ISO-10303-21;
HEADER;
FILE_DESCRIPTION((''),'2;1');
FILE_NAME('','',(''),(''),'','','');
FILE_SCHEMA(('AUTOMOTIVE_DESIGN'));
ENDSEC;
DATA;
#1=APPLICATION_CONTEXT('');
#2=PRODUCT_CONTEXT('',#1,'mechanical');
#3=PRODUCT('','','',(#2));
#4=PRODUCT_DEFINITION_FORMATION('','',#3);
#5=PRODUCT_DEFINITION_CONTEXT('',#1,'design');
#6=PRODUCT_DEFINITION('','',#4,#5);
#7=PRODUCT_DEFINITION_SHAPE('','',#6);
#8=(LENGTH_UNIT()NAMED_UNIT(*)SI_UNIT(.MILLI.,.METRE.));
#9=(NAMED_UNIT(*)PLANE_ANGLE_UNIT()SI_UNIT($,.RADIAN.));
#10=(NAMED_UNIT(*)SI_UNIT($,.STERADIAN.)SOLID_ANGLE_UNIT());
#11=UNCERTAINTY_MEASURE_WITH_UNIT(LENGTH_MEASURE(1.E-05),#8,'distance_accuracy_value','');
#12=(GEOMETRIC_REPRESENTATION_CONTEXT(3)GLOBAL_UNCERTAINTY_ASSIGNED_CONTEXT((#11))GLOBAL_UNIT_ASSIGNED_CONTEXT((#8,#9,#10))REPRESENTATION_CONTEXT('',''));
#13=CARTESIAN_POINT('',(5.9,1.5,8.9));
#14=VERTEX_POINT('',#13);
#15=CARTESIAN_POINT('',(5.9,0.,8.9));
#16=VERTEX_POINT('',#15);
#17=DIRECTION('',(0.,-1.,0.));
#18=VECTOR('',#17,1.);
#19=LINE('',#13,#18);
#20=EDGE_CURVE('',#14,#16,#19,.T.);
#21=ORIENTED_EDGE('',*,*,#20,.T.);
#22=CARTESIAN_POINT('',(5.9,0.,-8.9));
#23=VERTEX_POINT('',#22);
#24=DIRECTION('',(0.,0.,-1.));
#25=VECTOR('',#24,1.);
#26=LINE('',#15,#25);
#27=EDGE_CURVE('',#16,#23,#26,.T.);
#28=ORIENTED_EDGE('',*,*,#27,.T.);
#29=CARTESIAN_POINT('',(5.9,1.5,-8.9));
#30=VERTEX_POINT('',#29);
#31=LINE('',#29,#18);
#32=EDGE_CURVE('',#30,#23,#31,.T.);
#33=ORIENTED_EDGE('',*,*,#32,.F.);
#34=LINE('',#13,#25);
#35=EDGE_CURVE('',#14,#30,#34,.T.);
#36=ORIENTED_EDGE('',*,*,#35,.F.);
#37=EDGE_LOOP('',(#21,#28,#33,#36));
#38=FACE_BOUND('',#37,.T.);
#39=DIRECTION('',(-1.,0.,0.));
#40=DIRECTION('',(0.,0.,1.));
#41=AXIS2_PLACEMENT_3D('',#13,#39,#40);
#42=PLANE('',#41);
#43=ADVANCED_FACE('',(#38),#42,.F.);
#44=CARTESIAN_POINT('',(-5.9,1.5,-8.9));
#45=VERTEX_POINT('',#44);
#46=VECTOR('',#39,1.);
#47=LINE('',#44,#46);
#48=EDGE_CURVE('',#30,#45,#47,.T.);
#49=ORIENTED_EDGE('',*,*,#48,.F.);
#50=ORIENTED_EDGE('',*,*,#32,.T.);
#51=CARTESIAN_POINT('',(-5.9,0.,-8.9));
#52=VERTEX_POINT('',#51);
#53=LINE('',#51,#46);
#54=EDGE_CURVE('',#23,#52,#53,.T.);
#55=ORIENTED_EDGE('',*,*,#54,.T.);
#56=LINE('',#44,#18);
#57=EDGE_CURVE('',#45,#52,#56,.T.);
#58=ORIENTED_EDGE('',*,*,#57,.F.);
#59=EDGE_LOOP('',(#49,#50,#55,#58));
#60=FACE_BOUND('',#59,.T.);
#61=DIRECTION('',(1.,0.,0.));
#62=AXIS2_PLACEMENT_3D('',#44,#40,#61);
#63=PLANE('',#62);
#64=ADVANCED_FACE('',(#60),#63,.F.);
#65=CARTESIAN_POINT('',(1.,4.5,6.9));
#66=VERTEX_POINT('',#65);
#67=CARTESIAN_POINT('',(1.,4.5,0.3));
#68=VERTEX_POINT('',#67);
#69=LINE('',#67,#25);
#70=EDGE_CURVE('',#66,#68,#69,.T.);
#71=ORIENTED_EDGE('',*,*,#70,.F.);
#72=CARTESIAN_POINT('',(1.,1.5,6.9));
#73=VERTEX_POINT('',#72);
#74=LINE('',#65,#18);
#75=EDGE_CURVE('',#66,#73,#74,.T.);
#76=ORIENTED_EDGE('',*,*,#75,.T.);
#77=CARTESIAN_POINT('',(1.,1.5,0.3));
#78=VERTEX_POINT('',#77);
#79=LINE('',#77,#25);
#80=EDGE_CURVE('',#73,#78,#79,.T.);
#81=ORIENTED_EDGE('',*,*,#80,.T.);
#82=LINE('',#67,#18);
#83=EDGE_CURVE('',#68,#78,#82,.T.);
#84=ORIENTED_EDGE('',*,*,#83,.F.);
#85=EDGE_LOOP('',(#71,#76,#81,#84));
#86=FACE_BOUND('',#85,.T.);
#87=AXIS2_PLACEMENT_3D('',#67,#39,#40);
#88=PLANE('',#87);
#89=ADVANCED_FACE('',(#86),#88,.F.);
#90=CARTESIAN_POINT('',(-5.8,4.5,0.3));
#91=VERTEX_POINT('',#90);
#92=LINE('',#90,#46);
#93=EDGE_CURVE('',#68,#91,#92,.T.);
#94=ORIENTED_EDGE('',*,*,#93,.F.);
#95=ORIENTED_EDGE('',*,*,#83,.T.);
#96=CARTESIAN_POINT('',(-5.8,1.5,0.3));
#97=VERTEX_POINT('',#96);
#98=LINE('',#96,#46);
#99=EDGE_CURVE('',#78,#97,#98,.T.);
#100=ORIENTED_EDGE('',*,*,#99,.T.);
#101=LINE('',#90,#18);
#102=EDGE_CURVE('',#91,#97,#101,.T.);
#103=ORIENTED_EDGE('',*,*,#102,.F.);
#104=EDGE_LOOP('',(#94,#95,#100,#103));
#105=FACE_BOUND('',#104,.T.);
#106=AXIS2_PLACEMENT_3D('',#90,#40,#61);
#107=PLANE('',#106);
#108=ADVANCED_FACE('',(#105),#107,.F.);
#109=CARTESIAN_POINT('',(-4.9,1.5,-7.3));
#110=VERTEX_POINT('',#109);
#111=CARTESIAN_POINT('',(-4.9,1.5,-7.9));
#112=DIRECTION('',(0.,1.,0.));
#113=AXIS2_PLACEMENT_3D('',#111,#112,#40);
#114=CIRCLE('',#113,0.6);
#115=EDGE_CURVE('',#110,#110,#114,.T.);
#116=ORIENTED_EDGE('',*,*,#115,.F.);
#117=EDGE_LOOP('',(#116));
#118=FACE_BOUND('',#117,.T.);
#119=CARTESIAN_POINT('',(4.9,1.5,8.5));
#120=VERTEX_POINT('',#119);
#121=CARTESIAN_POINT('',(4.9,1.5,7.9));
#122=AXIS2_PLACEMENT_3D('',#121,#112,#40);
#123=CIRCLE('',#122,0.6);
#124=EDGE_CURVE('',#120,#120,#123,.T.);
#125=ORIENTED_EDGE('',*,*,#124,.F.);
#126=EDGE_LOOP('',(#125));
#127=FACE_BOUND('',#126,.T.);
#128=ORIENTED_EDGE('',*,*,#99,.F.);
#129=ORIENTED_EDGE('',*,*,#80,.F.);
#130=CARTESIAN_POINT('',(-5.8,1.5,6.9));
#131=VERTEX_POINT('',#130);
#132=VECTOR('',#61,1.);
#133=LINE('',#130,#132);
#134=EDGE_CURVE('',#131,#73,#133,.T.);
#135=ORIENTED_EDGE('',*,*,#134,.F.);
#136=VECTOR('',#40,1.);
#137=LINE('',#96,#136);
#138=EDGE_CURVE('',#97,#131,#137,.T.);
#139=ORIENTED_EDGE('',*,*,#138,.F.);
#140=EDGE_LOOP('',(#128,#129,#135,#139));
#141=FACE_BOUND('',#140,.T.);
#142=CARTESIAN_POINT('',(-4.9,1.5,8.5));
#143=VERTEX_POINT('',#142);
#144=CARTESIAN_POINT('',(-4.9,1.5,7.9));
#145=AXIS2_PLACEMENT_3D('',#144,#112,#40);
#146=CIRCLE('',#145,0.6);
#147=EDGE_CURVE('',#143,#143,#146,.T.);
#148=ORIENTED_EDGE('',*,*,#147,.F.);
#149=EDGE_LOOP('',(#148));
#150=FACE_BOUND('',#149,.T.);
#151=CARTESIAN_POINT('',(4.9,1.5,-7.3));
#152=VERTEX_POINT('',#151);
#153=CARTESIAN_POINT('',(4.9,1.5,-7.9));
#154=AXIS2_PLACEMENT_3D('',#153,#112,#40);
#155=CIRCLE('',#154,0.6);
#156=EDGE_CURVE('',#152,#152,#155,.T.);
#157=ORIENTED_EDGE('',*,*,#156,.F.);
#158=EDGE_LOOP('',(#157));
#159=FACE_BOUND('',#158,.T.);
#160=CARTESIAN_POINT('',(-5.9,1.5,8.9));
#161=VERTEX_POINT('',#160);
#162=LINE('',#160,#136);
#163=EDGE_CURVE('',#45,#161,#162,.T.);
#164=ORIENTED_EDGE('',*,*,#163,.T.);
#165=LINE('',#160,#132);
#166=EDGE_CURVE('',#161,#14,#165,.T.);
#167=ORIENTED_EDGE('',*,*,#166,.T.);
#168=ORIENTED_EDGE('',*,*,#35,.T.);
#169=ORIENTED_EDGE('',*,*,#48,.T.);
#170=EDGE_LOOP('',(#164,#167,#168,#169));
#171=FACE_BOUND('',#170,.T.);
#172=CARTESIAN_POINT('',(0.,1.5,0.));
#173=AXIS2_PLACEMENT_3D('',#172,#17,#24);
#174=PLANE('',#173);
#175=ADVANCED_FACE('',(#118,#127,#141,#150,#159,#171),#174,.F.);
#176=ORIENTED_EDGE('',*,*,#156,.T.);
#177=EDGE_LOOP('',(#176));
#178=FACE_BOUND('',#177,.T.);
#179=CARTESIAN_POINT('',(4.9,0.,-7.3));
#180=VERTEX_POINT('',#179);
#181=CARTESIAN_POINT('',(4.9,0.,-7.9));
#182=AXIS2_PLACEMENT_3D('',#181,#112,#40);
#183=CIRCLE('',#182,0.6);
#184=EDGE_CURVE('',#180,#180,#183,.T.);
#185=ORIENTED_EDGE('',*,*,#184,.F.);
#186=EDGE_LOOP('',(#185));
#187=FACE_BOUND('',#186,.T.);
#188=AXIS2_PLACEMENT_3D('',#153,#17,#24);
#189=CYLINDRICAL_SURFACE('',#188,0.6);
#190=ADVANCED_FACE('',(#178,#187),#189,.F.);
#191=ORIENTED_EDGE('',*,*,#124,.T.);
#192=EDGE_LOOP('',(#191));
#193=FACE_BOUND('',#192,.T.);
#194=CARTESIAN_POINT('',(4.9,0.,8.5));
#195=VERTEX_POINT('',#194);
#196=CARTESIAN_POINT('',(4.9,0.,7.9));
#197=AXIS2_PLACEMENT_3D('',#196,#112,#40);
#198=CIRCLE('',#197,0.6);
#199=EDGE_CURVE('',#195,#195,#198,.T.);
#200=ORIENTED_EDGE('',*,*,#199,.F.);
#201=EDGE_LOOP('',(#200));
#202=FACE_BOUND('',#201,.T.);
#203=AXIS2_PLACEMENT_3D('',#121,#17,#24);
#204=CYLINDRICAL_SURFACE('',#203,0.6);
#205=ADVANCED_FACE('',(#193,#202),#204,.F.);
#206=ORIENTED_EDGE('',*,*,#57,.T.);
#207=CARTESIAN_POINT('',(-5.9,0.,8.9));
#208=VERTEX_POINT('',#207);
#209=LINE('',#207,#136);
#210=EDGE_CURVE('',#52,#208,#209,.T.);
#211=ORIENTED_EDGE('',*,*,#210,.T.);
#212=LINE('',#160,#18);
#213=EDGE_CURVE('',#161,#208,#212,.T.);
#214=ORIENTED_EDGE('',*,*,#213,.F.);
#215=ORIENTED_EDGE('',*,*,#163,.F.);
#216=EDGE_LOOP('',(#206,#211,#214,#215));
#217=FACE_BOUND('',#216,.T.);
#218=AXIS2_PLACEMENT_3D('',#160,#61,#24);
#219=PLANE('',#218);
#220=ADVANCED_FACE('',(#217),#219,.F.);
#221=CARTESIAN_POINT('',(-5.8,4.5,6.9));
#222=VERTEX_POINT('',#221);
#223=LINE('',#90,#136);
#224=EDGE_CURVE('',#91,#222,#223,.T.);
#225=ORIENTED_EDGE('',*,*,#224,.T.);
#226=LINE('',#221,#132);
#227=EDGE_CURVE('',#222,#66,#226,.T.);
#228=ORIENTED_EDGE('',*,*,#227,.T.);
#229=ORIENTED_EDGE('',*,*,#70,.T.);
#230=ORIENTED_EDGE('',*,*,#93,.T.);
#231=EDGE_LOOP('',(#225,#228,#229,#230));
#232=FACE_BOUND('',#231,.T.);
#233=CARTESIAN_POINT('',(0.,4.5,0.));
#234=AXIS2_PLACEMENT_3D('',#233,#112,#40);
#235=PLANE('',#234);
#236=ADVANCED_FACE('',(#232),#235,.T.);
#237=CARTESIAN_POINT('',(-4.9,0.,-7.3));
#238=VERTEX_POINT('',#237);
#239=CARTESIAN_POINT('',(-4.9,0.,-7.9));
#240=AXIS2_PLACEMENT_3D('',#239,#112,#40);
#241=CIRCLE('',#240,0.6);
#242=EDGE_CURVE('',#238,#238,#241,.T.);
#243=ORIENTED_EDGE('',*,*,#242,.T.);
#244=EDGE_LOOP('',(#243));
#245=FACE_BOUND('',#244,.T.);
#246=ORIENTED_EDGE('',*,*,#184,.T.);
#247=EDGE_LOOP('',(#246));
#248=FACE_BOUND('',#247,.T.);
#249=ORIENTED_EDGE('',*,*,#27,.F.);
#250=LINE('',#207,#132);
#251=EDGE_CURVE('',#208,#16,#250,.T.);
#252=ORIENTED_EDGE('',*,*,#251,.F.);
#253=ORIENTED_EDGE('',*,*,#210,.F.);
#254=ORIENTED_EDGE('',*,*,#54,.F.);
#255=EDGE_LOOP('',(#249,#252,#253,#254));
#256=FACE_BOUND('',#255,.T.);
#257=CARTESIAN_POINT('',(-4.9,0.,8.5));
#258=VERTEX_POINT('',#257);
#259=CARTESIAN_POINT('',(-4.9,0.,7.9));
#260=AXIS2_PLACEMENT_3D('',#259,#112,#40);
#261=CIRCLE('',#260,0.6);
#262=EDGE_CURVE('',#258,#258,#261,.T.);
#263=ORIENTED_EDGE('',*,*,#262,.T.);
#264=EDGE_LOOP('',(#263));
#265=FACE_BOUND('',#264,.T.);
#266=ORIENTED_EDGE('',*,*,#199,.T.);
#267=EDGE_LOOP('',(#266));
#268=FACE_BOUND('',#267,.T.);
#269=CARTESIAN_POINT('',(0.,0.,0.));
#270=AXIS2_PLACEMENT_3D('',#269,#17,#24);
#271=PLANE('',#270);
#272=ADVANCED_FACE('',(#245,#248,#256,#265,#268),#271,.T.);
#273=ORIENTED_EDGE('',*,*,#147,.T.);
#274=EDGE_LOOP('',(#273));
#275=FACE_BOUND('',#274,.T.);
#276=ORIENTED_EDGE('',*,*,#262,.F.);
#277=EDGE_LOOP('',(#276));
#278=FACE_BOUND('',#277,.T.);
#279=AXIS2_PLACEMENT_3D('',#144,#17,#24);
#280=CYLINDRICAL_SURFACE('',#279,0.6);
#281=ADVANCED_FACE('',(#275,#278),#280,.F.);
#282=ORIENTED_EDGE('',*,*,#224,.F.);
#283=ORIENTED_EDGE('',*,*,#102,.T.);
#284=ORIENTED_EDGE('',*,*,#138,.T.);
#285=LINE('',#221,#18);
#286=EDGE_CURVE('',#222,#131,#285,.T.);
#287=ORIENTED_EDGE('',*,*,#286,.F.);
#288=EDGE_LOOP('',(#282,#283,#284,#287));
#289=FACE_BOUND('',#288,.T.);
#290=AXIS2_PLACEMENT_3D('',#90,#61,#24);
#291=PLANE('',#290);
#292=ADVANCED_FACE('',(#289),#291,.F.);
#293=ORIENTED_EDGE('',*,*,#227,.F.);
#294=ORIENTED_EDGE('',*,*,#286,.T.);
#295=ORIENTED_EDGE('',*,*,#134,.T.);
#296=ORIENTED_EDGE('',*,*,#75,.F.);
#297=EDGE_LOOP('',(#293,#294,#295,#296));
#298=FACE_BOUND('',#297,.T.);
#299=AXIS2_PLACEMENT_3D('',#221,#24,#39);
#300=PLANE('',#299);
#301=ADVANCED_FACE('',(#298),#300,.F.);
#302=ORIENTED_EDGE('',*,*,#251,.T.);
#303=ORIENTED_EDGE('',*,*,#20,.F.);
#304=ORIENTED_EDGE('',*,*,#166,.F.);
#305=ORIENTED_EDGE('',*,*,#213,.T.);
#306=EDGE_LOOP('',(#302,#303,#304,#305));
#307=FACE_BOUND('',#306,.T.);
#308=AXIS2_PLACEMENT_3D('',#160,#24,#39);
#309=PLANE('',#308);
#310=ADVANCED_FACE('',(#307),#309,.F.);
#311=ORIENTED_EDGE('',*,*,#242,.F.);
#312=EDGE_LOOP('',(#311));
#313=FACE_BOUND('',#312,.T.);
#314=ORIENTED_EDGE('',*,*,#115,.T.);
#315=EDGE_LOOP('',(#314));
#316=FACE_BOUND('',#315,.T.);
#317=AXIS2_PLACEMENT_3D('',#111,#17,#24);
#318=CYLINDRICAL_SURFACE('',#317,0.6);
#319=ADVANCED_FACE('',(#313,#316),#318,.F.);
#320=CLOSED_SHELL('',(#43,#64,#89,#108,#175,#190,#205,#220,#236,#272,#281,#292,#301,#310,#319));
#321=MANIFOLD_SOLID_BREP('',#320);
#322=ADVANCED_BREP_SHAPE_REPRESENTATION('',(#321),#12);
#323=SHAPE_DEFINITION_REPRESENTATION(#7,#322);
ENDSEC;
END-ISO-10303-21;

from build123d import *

# Parameters (mm, degrees)
SKETCH1_W           = 11.8
SKETCH1_H           = 17.8
SKETCH1_R           = 0.6
BOSS_EXTRUDE1_DEPTH = 1.5
SKETCH2_W           = 6.8
SKETCH2_H           = 6.6
BOSS_EXTRUDE2_DEPTH = 3


with BuildPart() as part:
    # Sketch1 → Boss-Extrude1 (new body)
    with BuildSketch(Plane(origin=(0, 0, 0), x_dir=(1, 0, 0), z_dir=(0, 1, 0))):
        Rectangle(SKETCH1_W, SKETCH1_H)
        with Locations(Location((-4.9, 7.9, 0), (0, 0, 270))):
            Circle(SKETCH1_R, mode=Mode.SUBTRACT)
        with Locations(Location((4.9, 7.9, 0), (0, 0, 270))):
            Circle(SKETCH1_R, mode=Mode.SUBTRACT)
        with Locations(Location((4.9, -7.9, 0), (0, 0, 270))):
            Circle(SKETCH1_R, mode=Mode.SUBTRACT)
        with Locations(Location((-4.9, -7.9, 0), (0, 0, 270))):
            Circle(SKETCH1_R, mode=Mode.SUBTRACT)
    extrude(amount=BOSS_EXTRUDE1_DEPTH)

    # Sketch2 → Boss-Extrude2 (add)
    with BuildSketch(Plane(origin=(0, 1.5, 0), x_dir=(1, 0, 0), z_dir=(0, 1, 0))):
        with Locations((-2.4, -3.6)):
            Rectangle(SKETCH2_W, SKETCH2_H)
    extrude(amount=BOSS_EXTRUDE2_DEPTH)


solid = part.part
